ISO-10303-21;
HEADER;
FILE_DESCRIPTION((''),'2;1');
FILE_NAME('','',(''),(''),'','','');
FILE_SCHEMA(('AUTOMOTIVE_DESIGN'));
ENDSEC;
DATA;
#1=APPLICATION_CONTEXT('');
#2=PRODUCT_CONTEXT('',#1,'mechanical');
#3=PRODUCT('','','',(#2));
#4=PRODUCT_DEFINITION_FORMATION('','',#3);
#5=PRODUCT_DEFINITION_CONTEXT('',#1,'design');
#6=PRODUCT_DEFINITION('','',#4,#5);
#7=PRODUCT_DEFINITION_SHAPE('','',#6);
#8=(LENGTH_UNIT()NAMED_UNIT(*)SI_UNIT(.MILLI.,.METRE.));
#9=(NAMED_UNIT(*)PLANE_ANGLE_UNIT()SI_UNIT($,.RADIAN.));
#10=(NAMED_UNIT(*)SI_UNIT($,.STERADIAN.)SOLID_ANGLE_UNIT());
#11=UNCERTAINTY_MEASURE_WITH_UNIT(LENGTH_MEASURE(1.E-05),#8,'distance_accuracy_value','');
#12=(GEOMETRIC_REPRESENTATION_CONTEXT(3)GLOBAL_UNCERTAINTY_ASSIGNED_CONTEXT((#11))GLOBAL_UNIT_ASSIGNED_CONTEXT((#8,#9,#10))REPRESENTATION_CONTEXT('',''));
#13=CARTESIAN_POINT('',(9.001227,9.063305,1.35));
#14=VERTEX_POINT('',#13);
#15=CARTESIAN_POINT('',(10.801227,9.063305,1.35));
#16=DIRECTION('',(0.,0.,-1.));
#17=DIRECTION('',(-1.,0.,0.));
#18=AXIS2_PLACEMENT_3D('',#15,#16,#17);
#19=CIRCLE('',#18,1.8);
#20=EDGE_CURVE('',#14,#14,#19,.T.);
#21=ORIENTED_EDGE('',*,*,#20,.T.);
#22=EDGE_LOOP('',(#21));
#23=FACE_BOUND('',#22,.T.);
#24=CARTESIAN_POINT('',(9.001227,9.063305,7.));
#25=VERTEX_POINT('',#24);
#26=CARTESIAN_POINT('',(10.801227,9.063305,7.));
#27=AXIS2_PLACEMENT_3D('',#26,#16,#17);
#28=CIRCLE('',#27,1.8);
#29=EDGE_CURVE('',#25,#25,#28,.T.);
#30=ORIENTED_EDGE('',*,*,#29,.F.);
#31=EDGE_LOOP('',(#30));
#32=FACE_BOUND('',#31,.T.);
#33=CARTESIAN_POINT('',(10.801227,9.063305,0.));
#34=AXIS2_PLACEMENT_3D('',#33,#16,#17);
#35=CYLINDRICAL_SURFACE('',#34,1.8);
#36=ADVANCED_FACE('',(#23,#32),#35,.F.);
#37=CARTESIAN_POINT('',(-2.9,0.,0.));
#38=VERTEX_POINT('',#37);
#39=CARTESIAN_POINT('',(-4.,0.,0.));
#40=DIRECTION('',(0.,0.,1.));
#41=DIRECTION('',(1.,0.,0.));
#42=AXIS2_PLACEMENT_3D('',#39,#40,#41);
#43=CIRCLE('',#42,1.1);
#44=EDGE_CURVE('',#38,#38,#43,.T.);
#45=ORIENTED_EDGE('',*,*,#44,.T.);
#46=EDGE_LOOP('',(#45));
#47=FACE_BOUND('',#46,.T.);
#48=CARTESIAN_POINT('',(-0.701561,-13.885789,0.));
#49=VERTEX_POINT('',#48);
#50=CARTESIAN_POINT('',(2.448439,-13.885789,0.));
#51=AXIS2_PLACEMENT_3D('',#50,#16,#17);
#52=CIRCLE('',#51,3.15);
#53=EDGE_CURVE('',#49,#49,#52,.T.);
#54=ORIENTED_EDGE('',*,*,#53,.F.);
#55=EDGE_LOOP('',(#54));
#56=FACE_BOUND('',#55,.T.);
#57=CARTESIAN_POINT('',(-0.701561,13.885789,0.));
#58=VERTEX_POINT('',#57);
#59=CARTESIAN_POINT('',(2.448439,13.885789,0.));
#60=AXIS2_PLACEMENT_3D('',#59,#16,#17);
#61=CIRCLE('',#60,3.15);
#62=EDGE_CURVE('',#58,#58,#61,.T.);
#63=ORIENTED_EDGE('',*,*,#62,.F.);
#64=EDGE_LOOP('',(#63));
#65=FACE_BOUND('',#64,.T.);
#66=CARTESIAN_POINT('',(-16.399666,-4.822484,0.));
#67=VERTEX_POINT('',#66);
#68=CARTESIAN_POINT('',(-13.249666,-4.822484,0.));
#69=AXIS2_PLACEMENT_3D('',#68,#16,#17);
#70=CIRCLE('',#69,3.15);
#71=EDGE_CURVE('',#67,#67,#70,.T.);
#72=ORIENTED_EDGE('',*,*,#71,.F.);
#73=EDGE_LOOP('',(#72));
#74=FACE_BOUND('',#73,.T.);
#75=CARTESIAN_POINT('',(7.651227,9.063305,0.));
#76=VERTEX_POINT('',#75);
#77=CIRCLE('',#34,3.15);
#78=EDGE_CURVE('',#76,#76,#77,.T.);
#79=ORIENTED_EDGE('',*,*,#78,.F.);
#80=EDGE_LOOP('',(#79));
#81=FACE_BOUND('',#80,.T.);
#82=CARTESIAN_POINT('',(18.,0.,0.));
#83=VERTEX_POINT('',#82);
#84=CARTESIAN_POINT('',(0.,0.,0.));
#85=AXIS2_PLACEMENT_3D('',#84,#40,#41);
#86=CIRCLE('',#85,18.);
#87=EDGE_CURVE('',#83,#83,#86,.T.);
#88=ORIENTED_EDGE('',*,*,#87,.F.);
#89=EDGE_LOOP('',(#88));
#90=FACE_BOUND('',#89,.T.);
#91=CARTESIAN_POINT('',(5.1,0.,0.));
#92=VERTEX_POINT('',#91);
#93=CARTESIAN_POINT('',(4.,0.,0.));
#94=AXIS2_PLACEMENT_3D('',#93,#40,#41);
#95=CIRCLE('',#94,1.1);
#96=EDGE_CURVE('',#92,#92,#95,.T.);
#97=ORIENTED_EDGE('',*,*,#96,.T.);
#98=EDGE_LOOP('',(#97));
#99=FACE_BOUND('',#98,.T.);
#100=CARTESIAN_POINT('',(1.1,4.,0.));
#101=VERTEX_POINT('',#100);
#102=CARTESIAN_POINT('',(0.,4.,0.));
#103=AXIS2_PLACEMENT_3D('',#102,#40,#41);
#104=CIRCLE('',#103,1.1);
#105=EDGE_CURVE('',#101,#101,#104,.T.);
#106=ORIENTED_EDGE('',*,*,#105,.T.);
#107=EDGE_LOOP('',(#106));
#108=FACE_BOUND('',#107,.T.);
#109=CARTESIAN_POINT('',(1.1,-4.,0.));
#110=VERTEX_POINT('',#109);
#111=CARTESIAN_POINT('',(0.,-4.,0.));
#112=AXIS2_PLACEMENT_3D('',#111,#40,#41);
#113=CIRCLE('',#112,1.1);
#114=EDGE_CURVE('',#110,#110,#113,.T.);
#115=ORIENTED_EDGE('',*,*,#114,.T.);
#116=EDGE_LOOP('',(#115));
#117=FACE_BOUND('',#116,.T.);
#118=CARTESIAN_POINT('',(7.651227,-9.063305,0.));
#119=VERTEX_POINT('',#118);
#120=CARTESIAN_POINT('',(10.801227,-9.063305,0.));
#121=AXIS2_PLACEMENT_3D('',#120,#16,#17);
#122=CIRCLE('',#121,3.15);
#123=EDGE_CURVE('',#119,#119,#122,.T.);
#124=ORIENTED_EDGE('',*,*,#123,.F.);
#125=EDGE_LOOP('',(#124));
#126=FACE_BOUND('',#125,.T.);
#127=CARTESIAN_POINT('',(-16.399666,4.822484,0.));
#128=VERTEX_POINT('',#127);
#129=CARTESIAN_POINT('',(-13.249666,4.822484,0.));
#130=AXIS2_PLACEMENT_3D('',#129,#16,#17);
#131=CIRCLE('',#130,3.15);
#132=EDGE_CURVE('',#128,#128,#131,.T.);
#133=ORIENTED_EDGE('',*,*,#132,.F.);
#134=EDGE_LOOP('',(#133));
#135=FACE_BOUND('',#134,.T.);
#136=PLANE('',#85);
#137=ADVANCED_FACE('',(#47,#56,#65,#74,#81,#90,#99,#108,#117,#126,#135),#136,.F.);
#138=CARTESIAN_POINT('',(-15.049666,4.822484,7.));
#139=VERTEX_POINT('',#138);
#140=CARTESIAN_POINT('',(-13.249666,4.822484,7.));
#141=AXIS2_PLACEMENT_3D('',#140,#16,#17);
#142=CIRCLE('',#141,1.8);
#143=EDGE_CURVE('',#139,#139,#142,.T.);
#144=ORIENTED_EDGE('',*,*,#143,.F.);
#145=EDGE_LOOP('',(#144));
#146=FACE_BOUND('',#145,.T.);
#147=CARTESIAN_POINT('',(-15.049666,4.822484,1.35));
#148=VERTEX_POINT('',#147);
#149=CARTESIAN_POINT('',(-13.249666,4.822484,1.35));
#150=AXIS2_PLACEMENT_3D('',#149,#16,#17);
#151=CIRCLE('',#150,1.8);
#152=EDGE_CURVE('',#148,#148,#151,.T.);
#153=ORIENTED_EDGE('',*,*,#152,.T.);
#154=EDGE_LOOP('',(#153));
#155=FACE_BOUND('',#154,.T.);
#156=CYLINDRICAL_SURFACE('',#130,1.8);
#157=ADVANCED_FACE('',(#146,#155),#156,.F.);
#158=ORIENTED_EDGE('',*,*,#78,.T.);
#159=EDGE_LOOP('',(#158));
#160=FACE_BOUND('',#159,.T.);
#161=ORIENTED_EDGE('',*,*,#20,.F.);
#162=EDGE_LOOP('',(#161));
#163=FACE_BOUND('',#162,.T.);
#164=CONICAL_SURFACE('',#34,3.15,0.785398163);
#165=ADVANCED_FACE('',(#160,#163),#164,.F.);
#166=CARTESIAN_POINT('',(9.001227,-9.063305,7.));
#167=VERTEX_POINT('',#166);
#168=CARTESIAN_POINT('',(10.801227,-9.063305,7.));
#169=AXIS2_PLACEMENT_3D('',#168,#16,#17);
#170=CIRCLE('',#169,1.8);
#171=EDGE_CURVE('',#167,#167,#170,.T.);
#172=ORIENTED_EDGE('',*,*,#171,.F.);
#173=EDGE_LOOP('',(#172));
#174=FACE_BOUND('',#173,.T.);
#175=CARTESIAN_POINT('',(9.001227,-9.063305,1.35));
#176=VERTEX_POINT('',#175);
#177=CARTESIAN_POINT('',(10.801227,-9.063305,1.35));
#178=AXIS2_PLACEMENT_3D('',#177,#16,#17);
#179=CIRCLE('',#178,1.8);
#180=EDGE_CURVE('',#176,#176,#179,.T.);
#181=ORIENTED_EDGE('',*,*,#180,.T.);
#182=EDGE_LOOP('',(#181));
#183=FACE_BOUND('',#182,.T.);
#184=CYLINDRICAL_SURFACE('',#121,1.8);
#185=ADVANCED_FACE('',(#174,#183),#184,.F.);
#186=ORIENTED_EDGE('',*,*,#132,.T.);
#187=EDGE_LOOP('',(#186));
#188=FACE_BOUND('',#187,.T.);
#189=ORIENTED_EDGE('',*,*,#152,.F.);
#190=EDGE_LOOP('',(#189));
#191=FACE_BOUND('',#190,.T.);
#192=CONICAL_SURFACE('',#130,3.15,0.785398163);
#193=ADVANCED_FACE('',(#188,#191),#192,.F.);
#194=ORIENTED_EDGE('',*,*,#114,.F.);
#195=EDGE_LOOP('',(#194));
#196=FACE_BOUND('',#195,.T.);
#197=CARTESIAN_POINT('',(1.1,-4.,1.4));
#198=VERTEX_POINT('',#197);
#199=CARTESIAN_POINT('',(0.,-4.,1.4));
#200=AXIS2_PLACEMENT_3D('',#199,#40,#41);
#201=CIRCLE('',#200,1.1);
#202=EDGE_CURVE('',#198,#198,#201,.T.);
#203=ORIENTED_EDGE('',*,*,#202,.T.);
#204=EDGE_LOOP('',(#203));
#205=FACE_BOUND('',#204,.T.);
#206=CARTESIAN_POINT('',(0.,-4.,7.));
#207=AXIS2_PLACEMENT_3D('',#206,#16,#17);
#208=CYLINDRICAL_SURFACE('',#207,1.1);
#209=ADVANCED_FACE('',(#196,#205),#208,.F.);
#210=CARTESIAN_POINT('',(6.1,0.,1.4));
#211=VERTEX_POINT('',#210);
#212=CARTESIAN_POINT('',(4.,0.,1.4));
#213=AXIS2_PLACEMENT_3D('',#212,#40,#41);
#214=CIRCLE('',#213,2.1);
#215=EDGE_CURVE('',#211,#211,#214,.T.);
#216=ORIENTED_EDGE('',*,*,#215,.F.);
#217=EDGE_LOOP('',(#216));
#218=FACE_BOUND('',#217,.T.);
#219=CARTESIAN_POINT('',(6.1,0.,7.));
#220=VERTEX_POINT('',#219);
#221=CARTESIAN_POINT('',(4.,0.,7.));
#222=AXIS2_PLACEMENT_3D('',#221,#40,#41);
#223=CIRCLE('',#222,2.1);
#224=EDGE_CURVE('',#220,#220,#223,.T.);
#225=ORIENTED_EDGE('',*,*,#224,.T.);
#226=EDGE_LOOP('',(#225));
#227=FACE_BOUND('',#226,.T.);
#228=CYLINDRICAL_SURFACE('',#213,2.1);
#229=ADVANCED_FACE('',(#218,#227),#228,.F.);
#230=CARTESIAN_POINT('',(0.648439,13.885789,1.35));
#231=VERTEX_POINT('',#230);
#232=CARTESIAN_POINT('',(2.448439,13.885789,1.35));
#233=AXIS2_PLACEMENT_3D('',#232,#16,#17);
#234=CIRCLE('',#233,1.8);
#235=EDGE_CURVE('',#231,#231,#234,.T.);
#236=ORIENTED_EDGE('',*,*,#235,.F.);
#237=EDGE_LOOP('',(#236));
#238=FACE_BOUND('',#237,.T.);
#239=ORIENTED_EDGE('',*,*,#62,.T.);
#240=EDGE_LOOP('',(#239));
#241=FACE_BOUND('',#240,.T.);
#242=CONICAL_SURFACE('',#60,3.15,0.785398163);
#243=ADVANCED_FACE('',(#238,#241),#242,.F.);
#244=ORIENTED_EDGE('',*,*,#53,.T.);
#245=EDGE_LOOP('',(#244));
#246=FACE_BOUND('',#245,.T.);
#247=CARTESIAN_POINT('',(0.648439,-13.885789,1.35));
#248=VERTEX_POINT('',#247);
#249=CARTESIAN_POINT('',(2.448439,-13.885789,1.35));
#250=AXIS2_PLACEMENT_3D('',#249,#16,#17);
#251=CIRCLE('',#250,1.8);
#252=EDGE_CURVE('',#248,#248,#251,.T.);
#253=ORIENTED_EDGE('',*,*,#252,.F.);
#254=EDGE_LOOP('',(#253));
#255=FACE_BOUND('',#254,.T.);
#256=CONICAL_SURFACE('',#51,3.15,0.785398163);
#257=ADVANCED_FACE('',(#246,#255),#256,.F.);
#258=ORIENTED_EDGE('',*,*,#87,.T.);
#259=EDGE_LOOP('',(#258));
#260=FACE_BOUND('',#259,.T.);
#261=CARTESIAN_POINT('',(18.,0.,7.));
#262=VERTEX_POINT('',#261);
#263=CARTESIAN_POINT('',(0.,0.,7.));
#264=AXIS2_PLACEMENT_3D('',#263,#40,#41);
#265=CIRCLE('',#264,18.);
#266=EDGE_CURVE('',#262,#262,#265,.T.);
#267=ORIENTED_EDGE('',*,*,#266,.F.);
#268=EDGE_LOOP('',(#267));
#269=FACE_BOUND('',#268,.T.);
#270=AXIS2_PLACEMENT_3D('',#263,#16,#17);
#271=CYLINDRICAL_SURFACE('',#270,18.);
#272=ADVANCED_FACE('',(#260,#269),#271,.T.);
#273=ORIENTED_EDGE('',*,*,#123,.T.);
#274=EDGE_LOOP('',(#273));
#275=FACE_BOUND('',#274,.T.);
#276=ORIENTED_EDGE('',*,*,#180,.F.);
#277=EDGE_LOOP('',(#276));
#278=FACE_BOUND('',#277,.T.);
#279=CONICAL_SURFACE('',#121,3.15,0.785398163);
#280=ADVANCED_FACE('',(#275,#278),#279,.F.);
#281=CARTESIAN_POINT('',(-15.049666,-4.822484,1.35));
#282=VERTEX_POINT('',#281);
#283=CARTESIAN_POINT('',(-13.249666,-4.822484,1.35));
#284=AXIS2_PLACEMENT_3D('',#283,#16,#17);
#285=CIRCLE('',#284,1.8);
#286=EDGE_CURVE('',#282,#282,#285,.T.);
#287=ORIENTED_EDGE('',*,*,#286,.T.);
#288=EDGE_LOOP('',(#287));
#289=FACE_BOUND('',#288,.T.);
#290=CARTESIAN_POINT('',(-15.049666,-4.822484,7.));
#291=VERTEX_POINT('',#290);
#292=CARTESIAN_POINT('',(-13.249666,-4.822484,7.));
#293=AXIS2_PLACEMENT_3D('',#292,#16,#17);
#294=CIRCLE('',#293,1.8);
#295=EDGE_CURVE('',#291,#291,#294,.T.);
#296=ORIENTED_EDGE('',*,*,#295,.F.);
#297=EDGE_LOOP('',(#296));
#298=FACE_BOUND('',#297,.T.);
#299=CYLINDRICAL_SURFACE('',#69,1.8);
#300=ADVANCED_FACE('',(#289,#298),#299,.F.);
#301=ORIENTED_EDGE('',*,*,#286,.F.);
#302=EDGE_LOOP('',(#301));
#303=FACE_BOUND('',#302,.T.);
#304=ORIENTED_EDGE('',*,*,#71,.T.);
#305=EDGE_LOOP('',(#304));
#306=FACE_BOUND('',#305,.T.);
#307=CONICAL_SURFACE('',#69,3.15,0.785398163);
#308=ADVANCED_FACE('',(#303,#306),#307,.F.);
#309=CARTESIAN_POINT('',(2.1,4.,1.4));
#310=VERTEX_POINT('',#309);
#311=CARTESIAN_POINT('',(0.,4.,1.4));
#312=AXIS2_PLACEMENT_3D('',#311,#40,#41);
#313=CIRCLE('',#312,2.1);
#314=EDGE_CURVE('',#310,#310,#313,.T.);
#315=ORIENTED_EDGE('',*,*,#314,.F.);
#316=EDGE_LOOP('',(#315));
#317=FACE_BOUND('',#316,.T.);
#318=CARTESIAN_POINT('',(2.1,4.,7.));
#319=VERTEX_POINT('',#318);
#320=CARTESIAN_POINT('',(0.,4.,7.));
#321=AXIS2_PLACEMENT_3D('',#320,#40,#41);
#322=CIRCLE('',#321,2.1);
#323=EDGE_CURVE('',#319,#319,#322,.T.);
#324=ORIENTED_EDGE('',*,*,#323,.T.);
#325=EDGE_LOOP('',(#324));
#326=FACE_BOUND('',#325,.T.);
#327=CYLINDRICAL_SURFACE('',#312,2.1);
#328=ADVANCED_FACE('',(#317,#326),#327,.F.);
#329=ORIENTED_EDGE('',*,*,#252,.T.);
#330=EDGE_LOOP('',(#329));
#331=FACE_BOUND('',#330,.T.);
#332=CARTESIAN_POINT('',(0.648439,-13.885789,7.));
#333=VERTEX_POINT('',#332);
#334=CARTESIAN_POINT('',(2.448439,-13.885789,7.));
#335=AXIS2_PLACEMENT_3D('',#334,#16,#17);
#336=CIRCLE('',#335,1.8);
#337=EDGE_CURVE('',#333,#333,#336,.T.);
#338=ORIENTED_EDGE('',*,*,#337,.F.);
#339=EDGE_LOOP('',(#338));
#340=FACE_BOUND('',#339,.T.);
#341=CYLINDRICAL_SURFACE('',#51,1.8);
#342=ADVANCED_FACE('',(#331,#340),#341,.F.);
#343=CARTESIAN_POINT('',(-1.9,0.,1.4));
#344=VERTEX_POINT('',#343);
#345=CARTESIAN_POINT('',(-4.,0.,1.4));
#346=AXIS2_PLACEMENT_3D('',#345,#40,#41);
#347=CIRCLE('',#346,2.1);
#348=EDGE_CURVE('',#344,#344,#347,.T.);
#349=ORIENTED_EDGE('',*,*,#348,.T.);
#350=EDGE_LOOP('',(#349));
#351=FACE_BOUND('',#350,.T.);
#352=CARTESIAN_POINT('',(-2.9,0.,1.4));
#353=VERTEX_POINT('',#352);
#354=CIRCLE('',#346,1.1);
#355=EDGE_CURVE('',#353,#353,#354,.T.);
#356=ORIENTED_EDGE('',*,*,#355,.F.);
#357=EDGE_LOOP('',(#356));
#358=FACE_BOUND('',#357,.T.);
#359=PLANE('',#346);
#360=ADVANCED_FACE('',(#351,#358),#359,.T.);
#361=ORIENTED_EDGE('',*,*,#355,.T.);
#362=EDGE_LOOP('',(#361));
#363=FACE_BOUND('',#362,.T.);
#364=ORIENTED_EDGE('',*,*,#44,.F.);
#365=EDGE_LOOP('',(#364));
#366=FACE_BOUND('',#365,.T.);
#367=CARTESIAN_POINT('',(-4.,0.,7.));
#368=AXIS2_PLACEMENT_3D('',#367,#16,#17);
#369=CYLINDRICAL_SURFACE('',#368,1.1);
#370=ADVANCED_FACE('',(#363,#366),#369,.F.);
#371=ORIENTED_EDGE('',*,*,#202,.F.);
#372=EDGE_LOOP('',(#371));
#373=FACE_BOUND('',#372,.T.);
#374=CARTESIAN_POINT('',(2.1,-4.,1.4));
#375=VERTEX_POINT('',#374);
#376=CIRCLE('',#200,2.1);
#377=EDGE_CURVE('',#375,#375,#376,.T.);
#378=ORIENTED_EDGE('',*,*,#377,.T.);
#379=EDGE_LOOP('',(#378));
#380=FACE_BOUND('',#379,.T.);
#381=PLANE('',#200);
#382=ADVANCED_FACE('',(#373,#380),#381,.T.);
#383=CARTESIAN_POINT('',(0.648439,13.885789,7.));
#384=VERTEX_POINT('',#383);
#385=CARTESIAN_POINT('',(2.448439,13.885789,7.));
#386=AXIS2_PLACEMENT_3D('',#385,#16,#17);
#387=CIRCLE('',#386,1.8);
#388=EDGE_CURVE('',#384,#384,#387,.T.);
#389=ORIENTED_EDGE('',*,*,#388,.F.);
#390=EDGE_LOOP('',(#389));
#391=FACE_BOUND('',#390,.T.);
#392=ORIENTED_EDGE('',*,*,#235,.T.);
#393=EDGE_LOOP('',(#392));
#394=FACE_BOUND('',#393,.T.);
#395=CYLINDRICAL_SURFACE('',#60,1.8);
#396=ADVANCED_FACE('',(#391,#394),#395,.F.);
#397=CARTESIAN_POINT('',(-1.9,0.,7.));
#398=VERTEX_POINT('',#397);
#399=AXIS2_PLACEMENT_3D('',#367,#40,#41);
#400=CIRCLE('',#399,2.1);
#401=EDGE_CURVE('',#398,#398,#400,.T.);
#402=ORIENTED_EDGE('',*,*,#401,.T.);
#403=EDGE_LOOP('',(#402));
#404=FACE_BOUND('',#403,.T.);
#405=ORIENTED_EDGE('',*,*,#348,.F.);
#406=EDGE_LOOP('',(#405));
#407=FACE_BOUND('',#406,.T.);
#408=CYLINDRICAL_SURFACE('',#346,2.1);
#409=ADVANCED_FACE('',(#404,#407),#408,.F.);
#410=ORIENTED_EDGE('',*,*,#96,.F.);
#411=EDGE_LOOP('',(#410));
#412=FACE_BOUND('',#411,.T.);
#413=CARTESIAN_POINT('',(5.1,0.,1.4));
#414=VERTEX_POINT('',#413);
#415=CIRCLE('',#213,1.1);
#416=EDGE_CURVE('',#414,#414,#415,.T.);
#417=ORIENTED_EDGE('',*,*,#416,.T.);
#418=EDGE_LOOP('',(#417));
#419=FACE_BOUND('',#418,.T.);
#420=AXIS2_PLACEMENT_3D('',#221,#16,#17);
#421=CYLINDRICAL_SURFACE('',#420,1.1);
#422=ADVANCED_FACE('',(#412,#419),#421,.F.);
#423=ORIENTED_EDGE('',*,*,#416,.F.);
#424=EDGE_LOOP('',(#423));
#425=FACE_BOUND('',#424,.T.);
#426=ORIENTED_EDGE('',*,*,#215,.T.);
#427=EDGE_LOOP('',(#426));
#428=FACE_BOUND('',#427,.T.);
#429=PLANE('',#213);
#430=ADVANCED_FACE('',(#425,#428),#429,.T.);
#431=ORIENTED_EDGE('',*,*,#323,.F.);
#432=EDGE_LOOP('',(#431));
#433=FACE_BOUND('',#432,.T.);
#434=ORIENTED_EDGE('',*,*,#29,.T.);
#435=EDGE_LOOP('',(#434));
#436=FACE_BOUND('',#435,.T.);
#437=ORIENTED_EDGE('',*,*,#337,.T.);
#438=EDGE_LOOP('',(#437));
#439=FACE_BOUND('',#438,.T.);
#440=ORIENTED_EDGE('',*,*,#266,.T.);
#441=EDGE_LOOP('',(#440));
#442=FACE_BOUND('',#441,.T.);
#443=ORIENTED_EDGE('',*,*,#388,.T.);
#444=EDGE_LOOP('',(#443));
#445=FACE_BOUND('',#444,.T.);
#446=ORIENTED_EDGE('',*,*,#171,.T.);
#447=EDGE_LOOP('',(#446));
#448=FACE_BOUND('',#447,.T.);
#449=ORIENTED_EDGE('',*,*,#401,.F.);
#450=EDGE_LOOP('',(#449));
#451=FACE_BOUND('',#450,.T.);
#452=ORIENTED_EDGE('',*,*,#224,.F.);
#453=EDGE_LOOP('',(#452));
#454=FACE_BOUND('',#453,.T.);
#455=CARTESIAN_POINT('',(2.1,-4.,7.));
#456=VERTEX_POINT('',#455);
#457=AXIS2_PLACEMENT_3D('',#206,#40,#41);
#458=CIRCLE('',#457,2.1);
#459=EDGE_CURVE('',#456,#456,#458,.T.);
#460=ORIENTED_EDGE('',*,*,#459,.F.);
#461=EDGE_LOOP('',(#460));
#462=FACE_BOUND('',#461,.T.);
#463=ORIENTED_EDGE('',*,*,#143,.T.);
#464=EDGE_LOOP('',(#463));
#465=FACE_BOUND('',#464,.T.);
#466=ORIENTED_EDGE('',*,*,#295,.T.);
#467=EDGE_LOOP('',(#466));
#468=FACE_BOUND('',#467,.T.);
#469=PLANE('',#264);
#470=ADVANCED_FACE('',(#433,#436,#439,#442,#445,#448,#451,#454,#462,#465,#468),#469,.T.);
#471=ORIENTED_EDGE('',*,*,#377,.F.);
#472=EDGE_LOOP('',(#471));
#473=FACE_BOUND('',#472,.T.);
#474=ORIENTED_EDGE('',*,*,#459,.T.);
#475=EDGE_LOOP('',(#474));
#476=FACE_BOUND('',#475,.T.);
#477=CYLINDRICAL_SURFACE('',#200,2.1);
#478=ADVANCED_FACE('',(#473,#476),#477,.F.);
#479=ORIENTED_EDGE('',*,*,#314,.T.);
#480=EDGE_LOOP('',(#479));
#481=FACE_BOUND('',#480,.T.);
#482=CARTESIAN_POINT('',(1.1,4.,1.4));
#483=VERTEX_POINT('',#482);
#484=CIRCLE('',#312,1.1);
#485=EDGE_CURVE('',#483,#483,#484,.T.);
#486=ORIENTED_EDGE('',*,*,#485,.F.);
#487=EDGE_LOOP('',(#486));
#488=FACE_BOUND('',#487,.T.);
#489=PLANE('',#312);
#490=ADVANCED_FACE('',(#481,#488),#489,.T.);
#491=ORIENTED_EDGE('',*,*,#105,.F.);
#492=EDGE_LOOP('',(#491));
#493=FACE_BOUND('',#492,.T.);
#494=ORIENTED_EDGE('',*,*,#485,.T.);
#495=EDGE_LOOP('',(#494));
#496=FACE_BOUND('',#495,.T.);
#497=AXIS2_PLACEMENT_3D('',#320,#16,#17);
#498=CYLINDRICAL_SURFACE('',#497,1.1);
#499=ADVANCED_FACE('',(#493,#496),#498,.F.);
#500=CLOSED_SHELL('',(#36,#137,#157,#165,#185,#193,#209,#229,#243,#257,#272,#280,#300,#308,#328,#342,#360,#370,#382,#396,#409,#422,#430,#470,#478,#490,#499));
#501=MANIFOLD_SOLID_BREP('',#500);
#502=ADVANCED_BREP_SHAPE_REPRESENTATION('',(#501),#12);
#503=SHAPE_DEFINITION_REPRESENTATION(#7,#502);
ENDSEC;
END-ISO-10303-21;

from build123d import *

# Parameters (mm, degrees)
SKETCH_1_R                   = 18
SKETCH_1_R_2                 = 1.1
SKETCH_1_R_3                 = 1.6
EXTRUDE_1_DEPTH              = 7
SKETCH_5_R                   = 2.1
CUT_EXTRUDE_1_DEPTH          = 5.6
HOLE_WIZARD_M3_2_D           = 3.6
HOLE_WIZARD_M3_2_CSINK_D     = 6.3
HOLE_WIZARD_M3_2_CSINK_ANGLE = 90


with BuildPart() as part:
    # 스케치1 → 보스-돌출1 (new body)
    with BuildSketch(Plane.XY):
        Circle(SKETCH_1_R)
        with Locations((0, 4)):
            Circle(SKETCH_1_R_2, mode=Mode.SUBTRACT)
        with Locations((4, 0)):
            Circle(SKETCH_1_R_2, mode=Mode.SUBTRACT)
        with Locations((0, -4)):
            Circle(SKETCH_1_R_2, mode=Mode.SUBTRACT)
        with Locations((-4, 0)):
            Circle(SKETCH_1_R_2, mode=Mode.SUBTRACT)
        with Locations((-13.249665953, 4.822484021)):
            Circle(SKETCH_1_R_3, mode=Mode.SUBTRACT)
        with Locations((-13.249665953, -4.822484021)):
            Circle(SKETCH_1_R_3, mode=Mode.SUBTRACT)
        with Locations((10.801226648, 9.063305297)):
            Circle(SKETCH_1_R_3, mode=Mode.SUBTRACT)
        with Locations((2.448439305, 13.885789317)):
            Circle(SKETCH_1_R_3, mode=Mode.SUBTRACT)
        with Locations((2.448439305, -13.885789317)):
            Circle(SKETCH_1_R_3, mode=Mode.SUBTRACT)
        with Locations((10.801226648, -9.063305297)):
            Circle(SKETCH_1_R_3, mode=Mode.SUBTRACT)
    extrude(amount=EXTRUDE_1_DEPTH)

    # 스케치5 → 컷-돌출1 (cut)
    with BuildSketch(Plane.XY.offset(7)):
        with Locations((0, 4)):
            Circle(SKETCH_5_R)
        with Locations((0, -4)):
            Circle(SKETCH_5_R)
        with Locations((4, 0)):
            Circle(SKETCH_5_R)
        with Locations((-4, 0)):
            Circle(SKETCH_5_R)
    extrude(amount=-CUT_EXTRUDE_1_DEPTH, mode=Mode.SUBTRACT)

    # M3 접시 머리 나사용 카운터싱크2 (through all)
    with Locations(Plane(origin=(0, 0, 0), x_dir=(-1, 0, 0), z_dir=(0, 0, -1))):
        with Locations((-2.448439305, 13.885789317), (13.249665953, 4.822484021), (13.249665953, -4.822484021), (-2.448439305, -13.885789317), (-10.801226648, -9.063305297), (-10.801226648, 9.063305297)):
            CounterSinkHole(HOLE_WIZARD_M3_2_D / 2, HOLE_WIZARD_M3_2_CSINK_D / 2, counter_sink_angle=HOLE_WIZARD_M3_2_CSINK_ANGLE)


solid = part.part
